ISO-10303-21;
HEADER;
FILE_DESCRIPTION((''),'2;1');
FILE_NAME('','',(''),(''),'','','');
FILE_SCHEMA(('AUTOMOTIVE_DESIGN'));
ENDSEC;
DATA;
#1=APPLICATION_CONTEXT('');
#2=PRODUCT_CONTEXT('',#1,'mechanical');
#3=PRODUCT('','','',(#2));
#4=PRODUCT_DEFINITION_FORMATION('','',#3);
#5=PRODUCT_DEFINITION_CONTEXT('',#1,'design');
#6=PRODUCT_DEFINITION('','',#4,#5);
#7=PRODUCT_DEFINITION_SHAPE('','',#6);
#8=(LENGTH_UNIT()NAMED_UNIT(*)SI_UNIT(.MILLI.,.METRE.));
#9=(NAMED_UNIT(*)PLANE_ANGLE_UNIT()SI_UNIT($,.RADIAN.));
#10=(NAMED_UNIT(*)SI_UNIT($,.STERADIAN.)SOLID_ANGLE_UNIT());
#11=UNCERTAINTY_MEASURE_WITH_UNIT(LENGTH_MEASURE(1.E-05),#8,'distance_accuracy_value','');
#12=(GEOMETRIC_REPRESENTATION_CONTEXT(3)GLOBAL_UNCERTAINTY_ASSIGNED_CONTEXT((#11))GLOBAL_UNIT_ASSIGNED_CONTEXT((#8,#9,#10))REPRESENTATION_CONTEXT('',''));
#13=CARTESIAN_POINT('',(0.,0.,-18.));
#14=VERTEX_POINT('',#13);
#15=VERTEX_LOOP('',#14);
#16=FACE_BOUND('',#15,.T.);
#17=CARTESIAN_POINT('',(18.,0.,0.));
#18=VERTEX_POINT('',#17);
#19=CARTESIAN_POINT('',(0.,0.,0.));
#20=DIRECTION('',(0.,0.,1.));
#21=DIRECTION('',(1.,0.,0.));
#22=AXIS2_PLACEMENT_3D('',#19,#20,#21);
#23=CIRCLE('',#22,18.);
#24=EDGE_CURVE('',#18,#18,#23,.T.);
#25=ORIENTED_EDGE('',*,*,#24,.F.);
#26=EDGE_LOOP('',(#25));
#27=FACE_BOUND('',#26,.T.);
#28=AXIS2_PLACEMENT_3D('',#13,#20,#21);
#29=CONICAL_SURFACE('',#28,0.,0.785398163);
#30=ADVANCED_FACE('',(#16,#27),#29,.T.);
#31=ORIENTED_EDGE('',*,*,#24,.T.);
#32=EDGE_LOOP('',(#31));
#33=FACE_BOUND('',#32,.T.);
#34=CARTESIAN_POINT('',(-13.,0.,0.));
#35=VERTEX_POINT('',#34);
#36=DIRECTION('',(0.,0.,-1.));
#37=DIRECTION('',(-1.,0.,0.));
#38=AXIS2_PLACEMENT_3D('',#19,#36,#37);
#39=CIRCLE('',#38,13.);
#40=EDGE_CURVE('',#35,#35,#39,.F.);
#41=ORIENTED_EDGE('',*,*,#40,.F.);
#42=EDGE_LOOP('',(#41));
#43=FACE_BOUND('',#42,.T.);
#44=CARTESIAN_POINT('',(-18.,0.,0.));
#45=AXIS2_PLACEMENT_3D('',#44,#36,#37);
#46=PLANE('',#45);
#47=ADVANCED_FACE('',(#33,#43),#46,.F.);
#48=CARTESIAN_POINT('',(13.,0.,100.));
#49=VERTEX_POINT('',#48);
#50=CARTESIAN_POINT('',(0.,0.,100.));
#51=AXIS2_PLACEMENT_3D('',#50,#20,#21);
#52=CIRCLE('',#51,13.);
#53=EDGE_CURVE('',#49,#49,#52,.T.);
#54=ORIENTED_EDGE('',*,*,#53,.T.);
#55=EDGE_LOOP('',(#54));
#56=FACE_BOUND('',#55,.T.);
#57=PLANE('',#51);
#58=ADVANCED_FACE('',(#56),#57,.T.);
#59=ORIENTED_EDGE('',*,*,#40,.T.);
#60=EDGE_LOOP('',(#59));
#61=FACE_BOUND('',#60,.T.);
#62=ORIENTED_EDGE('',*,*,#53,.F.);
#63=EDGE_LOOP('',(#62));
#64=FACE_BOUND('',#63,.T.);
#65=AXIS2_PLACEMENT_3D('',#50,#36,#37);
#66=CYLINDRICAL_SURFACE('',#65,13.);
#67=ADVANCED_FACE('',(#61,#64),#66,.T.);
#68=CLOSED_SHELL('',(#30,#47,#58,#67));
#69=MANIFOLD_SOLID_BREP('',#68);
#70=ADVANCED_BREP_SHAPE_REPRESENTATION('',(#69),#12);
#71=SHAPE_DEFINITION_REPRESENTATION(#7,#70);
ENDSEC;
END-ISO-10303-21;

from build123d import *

# Parameters (mm, degrees)
SKETCH3_R      = 13
EXTRUDE2_DEPTH = 100


with BuildPart() as part:
    # Sketch2 → Revolve1 (revolve)
    with BuildSketch(Plane(origin=(0, 0, 0), x_dir=(1, 0, 0), z_dir=(0, 1, 0)), mode=Mode.PRIVATE) as revolve1_sk:
        Polygon((-18, 0), (0, 0), (0, 18), align=None)
    revolve(revolve1_sk.sketch.rotate(Axis((0, 0, 0), (0, 0, -1)), 180), axis=Axis((0, 0, 0), (0, 0, -1)))

    # Sketch3 → Extrude2 (add)
    with BuildSketch(Plane.XY):
        with Locations(Location((0, 0, 0), (0, 0, 180))):
            Circle(SKETCH3_R)
    extrude(amount=EXTRUDE2_DEPTH)


solid = part.part
